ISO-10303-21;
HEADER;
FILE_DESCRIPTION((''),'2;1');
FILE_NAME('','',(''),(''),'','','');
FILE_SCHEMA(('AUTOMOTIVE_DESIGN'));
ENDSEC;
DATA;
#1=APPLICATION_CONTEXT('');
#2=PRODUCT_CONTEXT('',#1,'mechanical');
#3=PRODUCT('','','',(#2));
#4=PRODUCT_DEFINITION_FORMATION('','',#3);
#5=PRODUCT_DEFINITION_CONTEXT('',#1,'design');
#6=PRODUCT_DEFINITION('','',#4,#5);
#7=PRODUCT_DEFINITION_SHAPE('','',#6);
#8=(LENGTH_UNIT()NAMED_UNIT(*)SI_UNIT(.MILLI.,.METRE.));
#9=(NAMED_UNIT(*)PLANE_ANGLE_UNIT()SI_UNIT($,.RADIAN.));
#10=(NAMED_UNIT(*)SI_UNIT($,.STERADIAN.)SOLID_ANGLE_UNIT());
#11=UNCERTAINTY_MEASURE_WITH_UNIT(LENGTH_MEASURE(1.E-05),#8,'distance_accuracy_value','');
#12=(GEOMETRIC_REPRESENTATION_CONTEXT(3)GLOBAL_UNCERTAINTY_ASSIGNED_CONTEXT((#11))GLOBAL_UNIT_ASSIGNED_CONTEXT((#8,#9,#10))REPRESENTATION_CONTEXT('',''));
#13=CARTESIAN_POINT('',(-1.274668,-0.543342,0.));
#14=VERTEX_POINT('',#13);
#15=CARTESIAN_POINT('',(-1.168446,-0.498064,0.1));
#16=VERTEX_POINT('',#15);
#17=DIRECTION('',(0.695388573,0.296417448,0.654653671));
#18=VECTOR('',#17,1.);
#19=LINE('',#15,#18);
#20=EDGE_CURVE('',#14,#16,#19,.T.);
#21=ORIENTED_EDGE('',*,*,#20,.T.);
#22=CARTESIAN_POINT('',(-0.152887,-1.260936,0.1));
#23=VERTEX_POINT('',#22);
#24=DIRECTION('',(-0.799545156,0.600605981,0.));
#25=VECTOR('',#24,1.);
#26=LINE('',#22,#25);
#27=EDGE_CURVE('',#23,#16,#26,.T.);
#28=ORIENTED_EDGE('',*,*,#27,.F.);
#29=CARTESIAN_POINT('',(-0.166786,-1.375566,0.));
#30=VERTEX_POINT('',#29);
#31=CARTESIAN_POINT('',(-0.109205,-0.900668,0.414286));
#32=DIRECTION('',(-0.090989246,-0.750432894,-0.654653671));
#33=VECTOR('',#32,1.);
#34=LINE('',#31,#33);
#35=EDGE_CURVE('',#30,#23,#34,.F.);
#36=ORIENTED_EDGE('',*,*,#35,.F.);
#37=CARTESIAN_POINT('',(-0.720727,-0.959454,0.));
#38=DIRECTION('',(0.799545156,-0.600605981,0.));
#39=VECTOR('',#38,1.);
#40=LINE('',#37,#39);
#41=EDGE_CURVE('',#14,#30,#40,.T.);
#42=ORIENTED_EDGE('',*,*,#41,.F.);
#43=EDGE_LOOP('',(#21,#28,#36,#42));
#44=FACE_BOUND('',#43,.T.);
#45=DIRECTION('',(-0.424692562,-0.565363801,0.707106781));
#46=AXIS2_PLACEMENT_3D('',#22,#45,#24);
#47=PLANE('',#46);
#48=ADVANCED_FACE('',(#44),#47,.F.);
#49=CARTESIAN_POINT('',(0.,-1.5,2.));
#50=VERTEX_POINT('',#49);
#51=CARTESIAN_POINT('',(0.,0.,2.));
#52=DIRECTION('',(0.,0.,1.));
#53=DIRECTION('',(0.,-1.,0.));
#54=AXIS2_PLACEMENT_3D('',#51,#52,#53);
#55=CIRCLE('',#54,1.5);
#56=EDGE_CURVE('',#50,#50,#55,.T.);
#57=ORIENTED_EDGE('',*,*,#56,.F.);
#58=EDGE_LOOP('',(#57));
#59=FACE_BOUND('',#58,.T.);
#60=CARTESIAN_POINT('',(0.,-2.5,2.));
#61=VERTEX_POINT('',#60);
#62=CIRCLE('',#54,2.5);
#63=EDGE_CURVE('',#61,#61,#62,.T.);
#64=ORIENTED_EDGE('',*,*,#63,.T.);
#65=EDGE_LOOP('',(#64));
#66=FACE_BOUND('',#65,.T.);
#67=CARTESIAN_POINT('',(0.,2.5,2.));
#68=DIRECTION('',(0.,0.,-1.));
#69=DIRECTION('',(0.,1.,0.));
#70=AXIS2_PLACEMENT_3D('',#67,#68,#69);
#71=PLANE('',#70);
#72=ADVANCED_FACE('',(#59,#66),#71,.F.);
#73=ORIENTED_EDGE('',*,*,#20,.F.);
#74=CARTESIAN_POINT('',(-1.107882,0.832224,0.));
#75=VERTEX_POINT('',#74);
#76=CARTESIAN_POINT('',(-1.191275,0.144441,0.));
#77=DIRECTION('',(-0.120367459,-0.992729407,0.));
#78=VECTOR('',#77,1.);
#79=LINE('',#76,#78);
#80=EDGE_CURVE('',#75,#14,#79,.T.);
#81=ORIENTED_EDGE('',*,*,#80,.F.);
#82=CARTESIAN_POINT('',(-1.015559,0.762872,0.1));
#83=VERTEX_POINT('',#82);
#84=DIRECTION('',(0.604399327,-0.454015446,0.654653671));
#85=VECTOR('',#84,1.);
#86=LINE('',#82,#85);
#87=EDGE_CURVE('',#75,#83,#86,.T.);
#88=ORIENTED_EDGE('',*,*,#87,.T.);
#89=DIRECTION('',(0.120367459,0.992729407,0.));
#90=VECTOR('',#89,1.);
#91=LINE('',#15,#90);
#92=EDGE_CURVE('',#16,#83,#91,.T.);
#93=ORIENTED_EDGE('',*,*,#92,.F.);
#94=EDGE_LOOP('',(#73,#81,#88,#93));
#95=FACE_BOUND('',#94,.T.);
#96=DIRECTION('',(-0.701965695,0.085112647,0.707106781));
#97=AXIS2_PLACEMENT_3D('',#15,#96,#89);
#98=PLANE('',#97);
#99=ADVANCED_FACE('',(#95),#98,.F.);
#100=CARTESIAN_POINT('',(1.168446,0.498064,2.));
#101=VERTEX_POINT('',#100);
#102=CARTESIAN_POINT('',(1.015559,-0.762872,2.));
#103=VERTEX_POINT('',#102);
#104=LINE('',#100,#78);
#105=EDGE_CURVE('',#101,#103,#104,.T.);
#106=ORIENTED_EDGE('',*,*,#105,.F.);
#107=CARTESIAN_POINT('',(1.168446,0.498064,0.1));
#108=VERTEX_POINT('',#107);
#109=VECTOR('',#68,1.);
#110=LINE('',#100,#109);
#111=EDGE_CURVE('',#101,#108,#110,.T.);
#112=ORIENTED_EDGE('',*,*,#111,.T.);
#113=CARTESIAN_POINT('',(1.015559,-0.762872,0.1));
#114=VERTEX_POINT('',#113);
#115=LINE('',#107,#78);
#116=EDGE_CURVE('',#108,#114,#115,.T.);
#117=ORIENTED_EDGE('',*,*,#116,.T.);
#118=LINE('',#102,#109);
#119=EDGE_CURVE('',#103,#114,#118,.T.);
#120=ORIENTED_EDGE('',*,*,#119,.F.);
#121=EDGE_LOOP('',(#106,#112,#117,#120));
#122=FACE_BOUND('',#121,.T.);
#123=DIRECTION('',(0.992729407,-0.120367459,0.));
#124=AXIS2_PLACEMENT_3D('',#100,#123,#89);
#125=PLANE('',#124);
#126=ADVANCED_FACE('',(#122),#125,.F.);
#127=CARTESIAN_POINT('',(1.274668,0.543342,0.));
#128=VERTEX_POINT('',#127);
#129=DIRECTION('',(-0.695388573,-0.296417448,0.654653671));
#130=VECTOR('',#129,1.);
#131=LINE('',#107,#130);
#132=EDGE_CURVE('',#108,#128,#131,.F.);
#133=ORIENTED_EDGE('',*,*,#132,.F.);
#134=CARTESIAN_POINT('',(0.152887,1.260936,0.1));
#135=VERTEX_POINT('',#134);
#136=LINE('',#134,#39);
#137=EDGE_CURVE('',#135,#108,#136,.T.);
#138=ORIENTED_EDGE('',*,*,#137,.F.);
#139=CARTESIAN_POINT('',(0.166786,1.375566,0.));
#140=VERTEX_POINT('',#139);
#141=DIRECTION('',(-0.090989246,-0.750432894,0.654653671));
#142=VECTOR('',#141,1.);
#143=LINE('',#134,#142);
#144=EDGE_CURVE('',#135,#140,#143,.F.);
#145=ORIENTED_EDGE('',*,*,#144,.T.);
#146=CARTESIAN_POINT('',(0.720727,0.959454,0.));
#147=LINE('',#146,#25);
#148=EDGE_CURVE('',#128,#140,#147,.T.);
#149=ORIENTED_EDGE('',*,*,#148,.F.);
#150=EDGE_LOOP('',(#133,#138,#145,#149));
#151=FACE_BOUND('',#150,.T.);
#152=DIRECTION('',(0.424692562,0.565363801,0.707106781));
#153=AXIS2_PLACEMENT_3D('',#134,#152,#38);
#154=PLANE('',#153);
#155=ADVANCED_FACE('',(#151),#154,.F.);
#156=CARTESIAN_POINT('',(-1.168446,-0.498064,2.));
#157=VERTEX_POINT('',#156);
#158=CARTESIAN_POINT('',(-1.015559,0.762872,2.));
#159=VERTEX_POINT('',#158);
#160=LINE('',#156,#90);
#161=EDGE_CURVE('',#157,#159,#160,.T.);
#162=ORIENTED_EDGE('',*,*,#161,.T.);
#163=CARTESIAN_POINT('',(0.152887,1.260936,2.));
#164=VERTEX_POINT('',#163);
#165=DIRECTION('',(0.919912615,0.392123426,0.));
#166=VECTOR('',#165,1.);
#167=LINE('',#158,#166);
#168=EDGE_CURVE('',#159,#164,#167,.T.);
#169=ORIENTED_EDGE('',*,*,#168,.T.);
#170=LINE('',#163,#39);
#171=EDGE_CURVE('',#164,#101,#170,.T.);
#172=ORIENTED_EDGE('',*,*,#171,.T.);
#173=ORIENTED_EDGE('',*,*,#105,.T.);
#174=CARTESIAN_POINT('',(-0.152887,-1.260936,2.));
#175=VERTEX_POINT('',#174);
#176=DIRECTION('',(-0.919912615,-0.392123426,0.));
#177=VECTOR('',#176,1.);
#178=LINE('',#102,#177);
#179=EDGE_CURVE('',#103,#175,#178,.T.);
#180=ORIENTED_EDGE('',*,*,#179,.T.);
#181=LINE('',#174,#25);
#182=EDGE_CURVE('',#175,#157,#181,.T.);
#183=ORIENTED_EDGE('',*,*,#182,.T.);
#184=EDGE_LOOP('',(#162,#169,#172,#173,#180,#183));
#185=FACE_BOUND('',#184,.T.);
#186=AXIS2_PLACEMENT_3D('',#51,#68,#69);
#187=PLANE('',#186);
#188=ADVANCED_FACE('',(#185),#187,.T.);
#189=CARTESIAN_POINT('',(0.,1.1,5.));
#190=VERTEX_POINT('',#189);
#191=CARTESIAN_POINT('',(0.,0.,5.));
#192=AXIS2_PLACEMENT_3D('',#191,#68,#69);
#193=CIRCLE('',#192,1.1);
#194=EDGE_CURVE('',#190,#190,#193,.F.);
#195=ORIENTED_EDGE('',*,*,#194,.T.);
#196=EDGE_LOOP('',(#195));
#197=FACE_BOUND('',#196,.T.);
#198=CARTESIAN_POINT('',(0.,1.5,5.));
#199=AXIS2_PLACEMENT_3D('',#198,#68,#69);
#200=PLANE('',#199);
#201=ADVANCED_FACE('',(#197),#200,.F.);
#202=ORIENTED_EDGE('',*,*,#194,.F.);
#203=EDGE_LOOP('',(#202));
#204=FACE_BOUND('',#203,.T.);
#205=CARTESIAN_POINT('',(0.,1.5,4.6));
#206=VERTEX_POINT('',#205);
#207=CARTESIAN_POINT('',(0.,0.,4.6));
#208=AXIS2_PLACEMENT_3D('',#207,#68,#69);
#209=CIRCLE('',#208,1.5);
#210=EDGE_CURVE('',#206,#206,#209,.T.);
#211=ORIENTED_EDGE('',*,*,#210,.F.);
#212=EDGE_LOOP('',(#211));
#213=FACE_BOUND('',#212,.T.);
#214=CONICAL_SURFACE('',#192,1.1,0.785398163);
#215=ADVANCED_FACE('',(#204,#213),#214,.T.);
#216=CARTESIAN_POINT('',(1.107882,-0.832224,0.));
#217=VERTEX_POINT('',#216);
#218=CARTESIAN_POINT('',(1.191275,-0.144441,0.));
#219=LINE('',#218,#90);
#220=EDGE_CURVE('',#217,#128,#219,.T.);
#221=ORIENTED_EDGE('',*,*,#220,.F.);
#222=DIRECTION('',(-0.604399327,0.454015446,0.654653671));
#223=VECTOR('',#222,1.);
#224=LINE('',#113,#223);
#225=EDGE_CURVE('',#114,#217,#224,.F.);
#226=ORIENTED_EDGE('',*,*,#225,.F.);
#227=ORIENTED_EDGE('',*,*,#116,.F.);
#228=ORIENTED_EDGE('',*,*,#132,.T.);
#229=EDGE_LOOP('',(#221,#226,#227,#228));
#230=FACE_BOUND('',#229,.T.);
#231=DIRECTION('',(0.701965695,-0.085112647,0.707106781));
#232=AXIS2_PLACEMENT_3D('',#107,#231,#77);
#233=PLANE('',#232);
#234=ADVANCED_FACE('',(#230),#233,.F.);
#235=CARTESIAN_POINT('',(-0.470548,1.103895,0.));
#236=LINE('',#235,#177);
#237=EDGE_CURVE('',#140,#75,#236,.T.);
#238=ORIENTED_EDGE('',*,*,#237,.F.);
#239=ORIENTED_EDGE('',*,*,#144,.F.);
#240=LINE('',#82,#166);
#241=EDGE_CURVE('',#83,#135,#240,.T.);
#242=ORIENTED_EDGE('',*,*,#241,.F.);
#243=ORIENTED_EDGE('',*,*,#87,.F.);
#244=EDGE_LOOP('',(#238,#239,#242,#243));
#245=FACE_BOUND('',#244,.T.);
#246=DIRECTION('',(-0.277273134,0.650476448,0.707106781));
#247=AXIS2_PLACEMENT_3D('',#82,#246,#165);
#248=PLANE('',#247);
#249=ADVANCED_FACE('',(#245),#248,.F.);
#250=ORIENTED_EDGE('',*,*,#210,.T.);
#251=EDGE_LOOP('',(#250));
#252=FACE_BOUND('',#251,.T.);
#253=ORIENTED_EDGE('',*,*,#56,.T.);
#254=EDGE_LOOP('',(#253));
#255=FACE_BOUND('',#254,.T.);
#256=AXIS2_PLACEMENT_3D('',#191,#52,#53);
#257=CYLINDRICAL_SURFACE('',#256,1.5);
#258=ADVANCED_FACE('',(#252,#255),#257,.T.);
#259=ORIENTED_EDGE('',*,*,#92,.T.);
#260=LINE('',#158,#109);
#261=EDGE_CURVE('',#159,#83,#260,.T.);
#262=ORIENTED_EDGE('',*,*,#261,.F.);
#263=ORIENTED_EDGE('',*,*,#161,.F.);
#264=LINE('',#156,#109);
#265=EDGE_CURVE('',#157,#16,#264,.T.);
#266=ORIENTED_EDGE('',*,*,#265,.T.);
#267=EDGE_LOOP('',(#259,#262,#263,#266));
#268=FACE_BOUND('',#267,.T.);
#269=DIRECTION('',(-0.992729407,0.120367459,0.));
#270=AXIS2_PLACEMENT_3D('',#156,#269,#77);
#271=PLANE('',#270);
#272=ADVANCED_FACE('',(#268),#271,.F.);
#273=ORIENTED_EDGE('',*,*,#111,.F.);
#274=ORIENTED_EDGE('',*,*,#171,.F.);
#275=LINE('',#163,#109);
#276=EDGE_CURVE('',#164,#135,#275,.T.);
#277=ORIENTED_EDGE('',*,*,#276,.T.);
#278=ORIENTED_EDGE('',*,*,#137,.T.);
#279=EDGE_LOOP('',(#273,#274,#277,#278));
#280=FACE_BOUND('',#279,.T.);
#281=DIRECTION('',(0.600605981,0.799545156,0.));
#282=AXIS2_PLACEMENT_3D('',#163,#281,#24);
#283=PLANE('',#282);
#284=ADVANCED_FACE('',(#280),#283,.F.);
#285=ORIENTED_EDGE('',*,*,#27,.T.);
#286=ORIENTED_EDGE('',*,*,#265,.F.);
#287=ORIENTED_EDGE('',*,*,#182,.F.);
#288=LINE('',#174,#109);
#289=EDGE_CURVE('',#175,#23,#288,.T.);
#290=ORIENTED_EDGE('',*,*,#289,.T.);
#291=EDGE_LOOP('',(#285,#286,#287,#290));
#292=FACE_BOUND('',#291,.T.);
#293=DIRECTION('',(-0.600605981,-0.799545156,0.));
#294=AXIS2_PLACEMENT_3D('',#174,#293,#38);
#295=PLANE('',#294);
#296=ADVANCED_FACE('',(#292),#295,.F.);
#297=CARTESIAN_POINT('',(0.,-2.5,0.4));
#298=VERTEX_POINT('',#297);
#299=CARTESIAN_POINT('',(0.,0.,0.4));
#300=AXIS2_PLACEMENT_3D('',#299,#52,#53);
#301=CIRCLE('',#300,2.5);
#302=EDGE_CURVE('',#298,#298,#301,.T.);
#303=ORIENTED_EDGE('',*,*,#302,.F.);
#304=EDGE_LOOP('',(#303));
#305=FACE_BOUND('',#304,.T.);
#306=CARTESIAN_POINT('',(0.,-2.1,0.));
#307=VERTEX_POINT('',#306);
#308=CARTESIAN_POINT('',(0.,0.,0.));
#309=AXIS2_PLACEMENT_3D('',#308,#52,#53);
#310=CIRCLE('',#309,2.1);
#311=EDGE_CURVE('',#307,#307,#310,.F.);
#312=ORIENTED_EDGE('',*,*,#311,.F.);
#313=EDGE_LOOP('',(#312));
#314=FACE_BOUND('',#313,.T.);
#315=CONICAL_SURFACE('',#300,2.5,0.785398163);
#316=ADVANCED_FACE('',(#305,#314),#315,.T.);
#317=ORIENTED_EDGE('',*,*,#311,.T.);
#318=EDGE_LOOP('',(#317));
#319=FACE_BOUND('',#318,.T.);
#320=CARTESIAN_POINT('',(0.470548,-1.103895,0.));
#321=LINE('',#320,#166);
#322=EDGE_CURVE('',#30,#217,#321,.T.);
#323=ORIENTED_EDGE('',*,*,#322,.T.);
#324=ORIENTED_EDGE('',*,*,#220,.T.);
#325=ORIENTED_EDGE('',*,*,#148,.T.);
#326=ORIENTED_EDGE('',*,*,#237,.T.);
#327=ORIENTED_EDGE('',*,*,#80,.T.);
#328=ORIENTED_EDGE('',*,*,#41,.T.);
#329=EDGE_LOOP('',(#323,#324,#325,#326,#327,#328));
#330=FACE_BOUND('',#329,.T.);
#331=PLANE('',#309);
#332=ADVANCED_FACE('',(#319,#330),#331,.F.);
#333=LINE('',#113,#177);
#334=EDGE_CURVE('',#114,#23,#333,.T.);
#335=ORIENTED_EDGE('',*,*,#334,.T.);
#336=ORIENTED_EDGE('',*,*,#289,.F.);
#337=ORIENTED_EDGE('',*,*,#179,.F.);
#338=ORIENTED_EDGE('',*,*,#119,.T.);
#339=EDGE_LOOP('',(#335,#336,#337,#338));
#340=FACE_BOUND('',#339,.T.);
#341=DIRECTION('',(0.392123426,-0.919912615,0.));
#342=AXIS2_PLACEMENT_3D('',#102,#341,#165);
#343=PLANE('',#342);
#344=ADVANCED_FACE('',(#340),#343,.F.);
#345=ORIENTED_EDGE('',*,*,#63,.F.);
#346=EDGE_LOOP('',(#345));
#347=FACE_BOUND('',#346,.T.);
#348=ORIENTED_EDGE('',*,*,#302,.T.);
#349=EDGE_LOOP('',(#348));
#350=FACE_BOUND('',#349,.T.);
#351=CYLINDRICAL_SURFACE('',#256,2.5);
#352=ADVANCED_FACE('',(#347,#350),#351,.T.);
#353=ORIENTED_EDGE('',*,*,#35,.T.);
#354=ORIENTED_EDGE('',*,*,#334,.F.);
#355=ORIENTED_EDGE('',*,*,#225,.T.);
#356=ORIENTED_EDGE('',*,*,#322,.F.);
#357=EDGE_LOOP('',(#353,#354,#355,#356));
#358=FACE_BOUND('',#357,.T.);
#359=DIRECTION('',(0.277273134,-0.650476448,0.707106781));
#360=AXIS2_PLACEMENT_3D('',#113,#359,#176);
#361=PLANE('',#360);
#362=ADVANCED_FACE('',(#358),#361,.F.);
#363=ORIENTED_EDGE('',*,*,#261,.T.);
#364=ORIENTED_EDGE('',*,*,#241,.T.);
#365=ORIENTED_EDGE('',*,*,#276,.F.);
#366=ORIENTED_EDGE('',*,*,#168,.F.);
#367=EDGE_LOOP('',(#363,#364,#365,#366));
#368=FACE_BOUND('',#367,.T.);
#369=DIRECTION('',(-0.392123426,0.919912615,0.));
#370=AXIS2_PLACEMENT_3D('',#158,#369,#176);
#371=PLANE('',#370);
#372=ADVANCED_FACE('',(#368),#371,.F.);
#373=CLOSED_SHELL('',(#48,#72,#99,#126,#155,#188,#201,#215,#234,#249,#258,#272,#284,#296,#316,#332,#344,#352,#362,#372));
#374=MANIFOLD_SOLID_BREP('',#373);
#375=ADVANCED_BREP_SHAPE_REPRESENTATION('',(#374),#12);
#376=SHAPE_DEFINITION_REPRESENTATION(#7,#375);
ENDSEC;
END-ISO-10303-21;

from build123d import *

# Parameters (mm, degrees)
CUT_EXTRUDE1_DEPTH = 2
CHAMFER1_SIZE      = 0.4
CHAMFER2_SIZE      = 0.1


with BuildPart() as part:
    # Sketch2 → Revolve1 (revolve)
    with BuildSketch(Plane(origin=(0, 0, 0), x_dir=(0, 0, -1), z_dir=(1, 0, 0))):
        Polygon((0, 2.5), (-2, 2.5), (-2, 1.5), (-5, 1.5), (-5, 0), (0, 0), align=None)
    revolve(axis=Axis((0, 0, 5), (0, 0, -1)))

    # Sketch3 → Cut-Extrude1 (cut)
    with BuildSketch(Plane(origin=(0, 0, 0), x_dir=(-1, 0, 0), z_dir=(0, 0, -1))):
        Polygon((1.168445951, -0.498063644), (1.015558744, 0.762872054), (-0.152887207, 1.260935698), (-1.168445951, 0.498063644), (-1.015558744, -0.762872054), (0.152887207, -1.260935698), align=None)
    extrude(amount=-CUT_EXTRUDE1_DEPTH, mode=Mode.SUBTRACT)

    # Chamfer1
    chamfer1_edges = [part.edges().sort_by_distance(p)[0] for p in [
        (0, -1.5, 5),
        (0, -2.5, 0),
    ]]
    chamfer(chamfer1_edges, length=CHAMFER1_SIZE)

    # Chamfer2
    chamfer2_edges = [part.edges().sort_by_distance(p)[0] for p in [
        (-0.660666579, -0.879499671, 0),
        (-1.092002347, 0.132404205, 0),
        (-0.431335769, 1.011903876, 0),
        (0.660666579, 0.879499671, 0),
        (1.092002347, -0.132404205, 0),
        (0.431335769, -1.011903876, 0),
    ]]
    chamfer(chamfer2_edges, length=CHAMFER2_SIZE)


solid = part.part
